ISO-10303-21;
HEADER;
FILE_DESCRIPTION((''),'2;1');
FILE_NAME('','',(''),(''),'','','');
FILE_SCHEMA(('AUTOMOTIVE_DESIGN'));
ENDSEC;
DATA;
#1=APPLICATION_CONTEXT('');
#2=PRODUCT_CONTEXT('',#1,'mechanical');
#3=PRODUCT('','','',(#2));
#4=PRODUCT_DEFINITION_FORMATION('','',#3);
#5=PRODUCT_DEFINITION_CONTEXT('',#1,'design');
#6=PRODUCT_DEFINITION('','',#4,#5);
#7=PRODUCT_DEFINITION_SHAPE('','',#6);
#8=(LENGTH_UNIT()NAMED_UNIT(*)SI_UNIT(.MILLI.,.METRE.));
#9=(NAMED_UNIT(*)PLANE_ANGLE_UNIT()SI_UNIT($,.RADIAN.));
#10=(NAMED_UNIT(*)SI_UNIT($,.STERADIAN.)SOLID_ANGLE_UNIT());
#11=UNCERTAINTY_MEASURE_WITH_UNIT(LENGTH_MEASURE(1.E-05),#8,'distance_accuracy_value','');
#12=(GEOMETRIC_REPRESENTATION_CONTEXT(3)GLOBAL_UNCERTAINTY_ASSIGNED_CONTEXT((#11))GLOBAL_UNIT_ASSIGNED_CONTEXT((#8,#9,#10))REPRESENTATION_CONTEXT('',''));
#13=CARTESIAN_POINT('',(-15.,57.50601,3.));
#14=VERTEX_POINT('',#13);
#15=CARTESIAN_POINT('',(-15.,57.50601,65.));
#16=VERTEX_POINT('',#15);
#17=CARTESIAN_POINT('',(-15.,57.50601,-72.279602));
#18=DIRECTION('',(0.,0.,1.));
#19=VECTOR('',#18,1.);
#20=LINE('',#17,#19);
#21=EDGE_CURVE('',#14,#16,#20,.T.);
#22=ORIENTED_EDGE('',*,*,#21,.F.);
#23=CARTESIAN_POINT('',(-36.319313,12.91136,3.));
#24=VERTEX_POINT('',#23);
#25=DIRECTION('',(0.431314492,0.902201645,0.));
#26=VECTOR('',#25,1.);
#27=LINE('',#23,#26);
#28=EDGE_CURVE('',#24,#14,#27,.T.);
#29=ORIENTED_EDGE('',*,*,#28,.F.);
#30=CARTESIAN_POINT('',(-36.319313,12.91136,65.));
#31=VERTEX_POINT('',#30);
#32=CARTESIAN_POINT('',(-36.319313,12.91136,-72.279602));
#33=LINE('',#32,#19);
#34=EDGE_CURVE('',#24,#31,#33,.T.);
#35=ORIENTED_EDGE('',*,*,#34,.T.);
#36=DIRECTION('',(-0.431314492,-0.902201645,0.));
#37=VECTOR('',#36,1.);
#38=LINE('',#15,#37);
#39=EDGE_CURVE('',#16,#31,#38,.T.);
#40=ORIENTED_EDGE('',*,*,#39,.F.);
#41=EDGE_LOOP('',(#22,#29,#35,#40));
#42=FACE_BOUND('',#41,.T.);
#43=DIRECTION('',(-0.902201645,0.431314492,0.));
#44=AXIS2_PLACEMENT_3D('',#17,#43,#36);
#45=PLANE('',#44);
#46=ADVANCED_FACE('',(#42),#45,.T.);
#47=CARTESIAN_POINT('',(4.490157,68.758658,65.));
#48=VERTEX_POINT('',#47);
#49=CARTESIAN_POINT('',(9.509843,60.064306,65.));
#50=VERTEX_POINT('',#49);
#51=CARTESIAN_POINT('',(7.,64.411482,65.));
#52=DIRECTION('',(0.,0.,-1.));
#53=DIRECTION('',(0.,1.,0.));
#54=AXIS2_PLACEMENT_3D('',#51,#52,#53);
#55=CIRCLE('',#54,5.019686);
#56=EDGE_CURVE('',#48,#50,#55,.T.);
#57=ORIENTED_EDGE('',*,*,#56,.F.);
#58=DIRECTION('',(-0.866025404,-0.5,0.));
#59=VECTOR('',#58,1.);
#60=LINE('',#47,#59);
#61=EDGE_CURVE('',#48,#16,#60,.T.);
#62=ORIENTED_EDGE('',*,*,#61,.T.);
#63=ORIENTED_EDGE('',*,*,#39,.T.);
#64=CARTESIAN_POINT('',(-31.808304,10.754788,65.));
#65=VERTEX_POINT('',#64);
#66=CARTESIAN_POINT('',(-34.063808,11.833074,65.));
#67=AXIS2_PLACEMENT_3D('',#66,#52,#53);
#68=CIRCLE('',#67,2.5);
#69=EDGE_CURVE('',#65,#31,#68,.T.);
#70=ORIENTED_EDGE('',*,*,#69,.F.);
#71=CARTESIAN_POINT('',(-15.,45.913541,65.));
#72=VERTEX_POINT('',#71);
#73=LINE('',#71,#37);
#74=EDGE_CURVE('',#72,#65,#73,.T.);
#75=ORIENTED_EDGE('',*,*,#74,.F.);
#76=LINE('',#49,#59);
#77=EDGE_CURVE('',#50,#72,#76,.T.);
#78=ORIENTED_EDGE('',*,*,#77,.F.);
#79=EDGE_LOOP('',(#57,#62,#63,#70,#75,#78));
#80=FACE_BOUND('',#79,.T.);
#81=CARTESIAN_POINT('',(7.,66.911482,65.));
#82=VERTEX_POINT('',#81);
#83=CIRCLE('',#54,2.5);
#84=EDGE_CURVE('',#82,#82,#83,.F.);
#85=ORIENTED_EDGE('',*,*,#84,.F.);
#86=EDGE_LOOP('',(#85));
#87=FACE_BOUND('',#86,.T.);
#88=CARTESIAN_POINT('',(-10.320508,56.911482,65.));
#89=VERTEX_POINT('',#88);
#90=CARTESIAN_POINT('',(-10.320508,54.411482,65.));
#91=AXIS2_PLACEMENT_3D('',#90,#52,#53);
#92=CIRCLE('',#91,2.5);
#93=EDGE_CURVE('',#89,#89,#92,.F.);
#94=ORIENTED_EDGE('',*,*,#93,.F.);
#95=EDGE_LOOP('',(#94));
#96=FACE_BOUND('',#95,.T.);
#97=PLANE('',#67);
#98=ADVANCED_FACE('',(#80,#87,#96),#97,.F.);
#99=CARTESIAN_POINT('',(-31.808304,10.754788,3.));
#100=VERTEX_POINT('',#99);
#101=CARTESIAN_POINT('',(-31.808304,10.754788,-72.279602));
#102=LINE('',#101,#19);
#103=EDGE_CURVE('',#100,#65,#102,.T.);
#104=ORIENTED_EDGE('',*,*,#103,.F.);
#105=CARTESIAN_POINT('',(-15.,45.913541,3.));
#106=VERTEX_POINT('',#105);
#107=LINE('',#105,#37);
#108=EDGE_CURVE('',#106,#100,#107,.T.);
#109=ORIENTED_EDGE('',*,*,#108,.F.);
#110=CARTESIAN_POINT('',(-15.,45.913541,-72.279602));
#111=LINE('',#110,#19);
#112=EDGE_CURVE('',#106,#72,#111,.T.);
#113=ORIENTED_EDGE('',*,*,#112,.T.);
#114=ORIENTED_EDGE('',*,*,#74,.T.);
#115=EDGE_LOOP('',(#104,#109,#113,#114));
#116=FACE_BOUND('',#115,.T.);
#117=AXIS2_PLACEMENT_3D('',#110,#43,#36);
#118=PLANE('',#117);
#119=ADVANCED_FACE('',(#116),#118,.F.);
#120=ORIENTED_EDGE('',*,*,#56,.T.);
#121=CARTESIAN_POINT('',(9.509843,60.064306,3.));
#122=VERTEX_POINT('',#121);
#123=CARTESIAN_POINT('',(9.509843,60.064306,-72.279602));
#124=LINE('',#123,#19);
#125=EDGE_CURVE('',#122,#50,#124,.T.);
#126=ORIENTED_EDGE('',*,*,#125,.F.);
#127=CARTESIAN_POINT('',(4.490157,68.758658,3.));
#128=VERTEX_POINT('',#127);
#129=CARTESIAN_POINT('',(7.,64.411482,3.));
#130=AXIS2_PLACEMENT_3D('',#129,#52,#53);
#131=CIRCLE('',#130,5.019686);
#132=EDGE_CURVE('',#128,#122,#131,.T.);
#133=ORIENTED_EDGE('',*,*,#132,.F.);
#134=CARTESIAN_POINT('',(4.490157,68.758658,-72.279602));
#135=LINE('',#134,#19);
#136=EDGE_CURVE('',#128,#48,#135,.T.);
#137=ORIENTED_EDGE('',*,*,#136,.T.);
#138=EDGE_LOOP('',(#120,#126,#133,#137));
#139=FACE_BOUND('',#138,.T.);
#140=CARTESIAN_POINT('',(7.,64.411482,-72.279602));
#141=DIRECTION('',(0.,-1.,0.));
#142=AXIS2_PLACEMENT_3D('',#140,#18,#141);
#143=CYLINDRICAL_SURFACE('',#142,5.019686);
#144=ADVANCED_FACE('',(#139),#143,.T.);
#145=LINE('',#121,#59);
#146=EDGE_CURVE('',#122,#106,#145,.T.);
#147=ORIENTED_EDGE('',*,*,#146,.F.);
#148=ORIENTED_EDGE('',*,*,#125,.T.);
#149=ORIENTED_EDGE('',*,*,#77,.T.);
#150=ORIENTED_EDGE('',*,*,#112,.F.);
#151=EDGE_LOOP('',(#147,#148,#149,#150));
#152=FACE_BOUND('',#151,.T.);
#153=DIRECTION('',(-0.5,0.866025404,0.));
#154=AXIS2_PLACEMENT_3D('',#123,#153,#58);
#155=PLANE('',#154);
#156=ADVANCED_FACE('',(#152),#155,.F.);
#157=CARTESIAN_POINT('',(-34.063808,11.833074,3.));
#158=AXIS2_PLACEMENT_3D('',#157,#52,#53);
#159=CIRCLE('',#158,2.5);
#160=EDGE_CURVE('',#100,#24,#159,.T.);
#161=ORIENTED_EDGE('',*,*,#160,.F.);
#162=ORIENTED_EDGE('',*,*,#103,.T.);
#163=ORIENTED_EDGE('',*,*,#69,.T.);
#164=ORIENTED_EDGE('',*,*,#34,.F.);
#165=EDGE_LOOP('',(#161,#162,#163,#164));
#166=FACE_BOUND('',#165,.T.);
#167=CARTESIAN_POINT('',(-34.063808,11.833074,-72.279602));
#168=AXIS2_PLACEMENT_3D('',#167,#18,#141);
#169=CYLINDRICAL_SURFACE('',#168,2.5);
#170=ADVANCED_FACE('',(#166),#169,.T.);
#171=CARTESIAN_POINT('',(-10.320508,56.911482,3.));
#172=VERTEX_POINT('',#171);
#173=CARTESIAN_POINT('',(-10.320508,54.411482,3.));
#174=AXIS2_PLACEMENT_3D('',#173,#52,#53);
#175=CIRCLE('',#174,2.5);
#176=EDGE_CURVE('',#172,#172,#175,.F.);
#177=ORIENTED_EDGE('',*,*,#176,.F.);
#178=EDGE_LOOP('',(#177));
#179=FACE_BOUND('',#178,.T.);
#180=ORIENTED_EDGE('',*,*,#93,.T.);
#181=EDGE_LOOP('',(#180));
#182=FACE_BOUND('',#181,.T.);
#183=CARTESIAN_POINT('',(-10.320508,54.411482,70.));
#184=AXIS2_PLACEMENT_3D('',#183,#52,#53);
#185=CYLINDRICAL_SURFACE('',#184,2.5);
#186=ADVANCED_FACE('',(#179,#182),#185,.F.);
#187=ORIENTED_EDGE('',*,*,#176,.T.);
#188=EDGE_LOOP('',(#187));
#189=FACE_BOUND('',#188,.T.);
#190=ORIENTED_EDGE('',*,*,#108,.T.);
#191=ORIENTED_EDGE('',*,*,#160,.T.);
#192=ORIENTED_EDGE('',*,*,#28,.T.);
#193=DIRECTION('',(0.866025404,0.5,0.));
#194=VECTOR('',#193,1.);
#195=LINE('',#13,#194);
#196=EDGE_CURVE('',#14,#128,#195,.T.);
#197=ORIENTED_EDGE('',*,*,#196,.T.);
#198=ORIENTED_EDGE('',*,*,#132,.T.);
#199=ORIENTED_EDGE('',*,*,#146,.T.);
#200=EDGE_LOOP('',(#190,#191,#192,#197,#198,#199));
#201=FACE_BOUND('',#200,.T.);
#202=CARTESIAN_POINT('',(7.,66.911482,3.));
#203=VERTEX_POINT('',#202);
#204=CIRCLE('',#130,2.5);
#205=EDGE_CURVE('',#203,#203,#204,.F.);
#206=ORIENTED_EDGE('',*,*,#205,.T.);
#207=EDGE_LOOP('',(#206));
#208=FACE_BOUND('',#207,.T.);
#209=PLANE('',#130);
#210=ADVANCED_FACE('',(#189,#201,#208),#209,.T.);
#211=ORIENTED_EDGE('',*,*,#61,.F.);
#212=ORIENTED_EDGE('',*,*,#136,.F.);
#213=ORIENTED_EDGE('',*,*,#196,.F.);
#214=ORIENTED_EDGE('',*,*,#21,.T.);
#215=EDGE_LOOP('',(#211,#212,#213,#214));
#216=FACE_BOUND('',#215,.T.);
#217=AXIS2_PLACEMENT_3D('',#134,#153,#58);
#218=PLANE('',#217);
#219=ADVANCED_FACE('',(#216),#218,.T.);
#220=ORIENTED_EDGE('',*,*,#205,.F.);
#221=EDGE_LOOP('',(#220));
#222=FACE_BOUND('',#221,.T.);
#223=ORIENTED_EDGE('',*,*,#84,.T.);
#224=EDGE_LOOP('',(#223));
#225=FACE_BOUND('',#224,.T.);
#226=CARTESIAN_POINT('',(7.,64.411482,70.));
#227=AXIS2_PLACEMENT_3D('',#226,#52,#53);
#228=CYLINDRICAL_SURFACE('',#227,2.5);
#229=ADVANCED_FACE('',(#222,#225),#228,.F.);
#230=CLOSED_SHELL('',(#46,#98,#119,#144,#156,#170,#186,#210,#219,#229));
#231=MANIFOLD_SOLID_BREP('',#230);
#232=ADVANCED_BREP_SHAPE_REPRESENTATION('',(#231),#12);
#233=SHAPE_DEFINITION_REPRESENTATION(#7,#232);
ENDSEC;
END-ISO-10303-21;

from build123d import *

# Parameters (mm, degrees)
SKETCH_1_R               = 10
SKETCH_1_R_2             = 2.5
EXTRUDE_1_DEPTH          = 70
SKETCH_2_W               = 60
SKETCH_2_H               = 70
SKETCH_2_H_2             = 67.94057246
CUT_EXTRUDE_1_DEPTH      = 70
EXTRUDE_2_DEPTH          = 60
CUT_EXTRUDE_3_DEPTH      = 129.790186287
CUT_EXTRUDE_3_DEPTH_BACK = 129.790186287
SKETCH_6_R               = 2.5
CUT_EXTRUDE_4_DEPTH      = 132.384596068
CUT_EXTRUDE_4_DEPTH_BACK = 132.384596068
SKETCH_7_W               = 40.15837314
SKETCH_7_H               = 126.534822783
SKETCH_7_W_2             = 29.990396309
SKETCH_7_H_2             = 127.151063803
SKETCH_8_R               = 2.5
EXTRUDE_4_DEPTH          = 2


with BuildPart() as part:
    # 草图1 → 凸台-拉伸1 (new body)
    with BuildSketch(Plane.XY):
        with BuildLine():
            Line((-15, 90), (-15, 0))
            ThreePointArc((-15, 0), (0, -15), (15, 0))
            Line((15, 0), (15, 90))
            ThreePointArc((15, 90), (0, 105), (-15, 90))
        make_face()
        Circle(SKETCH_1_R, mode=Mode.SUBTRACT)
        with Locations((0, 90)):
            Circle(SKETCH_1_R_2, mode=Mode.SUBTRACT)
    extrude(amount=EXTRUDE_1_DEPTH)

    # 草图2 → 切除-拉伸1 (cut)
    with BuildSketch(Plane.ZY.offset(15)):
        with Locations((35, 80)):
            Rectangle(SKETCH_2_W, SKETCH_2_H)
        with Locations((35, 11.02971377)):
            Rectangle(SKETCH_2_W, SKETCH_2_H_2)
    extrude(amount=-CUT_EXTRUDE_1_DEPTH, mode=Mode.SUBTRACT)


with BuildPart() as cut_extrude_1_piece_1:
    # of the separate pieces the step leaves, piece 1, a body of its own (cut_extrude_1_pieces)
    add(part.part.solids().sort_by_distance((15, 0, 0))[0])



with BuildPart() as cut_extrude_1_piece_2:
    # of the separate pieces the step leaves, piece 2, a body of its own (cut_extrude_1_pieces)
    add(part.part.solids().sort_by_distance((15, 0, 65))[0])


with BuildPart() as cut_extrude_1_piece_1_1:
    add(cut_extrude_1_piece_1.part)

    add(cut_extrude_1_piece_2.part)  # 凸台-拉伸2 merges 切除-拉伸1 piece 2
    # 草图4 → 凸台-拉伸2 (add)
    with BuildSketch(Plane(origin=(0, 0, 65), x_dir=(-1, 0, 0), z_dir=(0, 0, -1))):
        with BuildLine():
            Line((-4.490156776, 68.758657712), (15, 57.50601045))
            Line((15, 57.50601045), (36.319312502, 12.911360415))
            ThreePointArc((36.319312502, 12.911360415), (35.142094618, 9.577570071), (31.808304274, 10.754787955))
            Line((31.808304274, 10.754787955), (15, 45.913541163))
            Line((15, 45.913541163), (-9.509843224, 60.064305746))
            ThreePointArc((-9.509843224, 60.064305746), (-11.347175983, 66.921324953), (-4.490156776, 68.758657712))
        make_face()
    extrude(amount=EXTRUDE_2_DEPTH)

    # 草图6 → 切除-拉伸3 (cut, two sides: drawn at the far end of the back side and taken through both)
    with BuildSketch(Plane(origin=(0, 0, 65), x_dir=(-1, 0, 0), z_dir=(0, 0, -1)).offset(-CUT_EXTRUDE_3_DEPTH_BACK)):
        with Locations(Location((-7, 64.411481729, 0), (0, 0, 90))):
            Circle(SKETCH_6_R)
        with Locations(Location((-11.650635095, 53.212249296, 0), (0, 0, 90))):
            Circle(SKETCH_6_R)
        with Locations(Location((10, 40.712249296, 0), (0, 0, 90))):
            Circle(SKETCH_6_R)
        with Locations(Location((10.320508076, 54.411481729, 0), (0, 0, 90))):
            Circle(SKETCH_6_R)
    extrude(amount=CUT_EXTRUDE_3_DEPTH + CUT_EXTRUDE_3_DEPTH_BACK, mode=Mode.SUBTRACT)

    # 草图7 → 切除-拉伸4 (cut, two sides: drawn at the far end of the back side and taken through both)
    with BuildSketch(Plane(origin=(0, 0, 0), x_dir=(0, 0, -1), z_dir=(1, 0, 0)).offset(-CUT_EXTRUDE_4_DEPTH_BACK)):
        with Locations((15.07918657, 44.332405561)):
            Rectangle(SKETCH_7_W, SKETCH_7_H)
        with Locations((-79.995198155, 44.024285052)):
            Rectangle(SKETCH_7_W_2, SKETCH_7_H_2)
    extrude(amount=CUT_EXTRUDE_4_DEPTH + CUT_EXTRUDE_4_DEPTH_BACK, mode=Mode.SUBTRACT)

    # 草图8 → 凸台-拉伸4 (add)
    with BuildSketch(Plane(origin=(0, 0, 5), x_dir=(-1, 0, 0), z_dir=(0, 0, -1))):
        with BuildLine():
            Line((36.319312502, 12.911360415), (15, 57.50601045))
            Line((15, 57.50601045), (-4.490156776, 68.758657712))
            ThreePointArc((-4.490156776, 68.758657712), (-11.347175983, 66.921324953), (-9.509843224, 60.064305746))
            Line((-9.509843224, 60.064305746), (15, 45.913541163))
            Line((15, 45.913541163), (31.808304274, 10.754787955))
            ThreePointArc((31.808304274, 10.754787955), (35.142094618, 9.577570071), (36.319312502, 12.911360415))
        make_face()
        with Locations(Location((-7, 64.411481729, 0), (0, 0, 90))):
            Circle(SKETCH_8_R, mode=Mode.SUBTRACT)
        with Locations(Location((10.320508076, 54.411481729, 0), (0, 0, 90))):
            Circle(SKETCH_8_R, mode=Mode.SUBTRACT)
    extrude(amount=EXTRUDE_4_DEPTH)


solid = cut_extrude_1_piece_1_1.part
